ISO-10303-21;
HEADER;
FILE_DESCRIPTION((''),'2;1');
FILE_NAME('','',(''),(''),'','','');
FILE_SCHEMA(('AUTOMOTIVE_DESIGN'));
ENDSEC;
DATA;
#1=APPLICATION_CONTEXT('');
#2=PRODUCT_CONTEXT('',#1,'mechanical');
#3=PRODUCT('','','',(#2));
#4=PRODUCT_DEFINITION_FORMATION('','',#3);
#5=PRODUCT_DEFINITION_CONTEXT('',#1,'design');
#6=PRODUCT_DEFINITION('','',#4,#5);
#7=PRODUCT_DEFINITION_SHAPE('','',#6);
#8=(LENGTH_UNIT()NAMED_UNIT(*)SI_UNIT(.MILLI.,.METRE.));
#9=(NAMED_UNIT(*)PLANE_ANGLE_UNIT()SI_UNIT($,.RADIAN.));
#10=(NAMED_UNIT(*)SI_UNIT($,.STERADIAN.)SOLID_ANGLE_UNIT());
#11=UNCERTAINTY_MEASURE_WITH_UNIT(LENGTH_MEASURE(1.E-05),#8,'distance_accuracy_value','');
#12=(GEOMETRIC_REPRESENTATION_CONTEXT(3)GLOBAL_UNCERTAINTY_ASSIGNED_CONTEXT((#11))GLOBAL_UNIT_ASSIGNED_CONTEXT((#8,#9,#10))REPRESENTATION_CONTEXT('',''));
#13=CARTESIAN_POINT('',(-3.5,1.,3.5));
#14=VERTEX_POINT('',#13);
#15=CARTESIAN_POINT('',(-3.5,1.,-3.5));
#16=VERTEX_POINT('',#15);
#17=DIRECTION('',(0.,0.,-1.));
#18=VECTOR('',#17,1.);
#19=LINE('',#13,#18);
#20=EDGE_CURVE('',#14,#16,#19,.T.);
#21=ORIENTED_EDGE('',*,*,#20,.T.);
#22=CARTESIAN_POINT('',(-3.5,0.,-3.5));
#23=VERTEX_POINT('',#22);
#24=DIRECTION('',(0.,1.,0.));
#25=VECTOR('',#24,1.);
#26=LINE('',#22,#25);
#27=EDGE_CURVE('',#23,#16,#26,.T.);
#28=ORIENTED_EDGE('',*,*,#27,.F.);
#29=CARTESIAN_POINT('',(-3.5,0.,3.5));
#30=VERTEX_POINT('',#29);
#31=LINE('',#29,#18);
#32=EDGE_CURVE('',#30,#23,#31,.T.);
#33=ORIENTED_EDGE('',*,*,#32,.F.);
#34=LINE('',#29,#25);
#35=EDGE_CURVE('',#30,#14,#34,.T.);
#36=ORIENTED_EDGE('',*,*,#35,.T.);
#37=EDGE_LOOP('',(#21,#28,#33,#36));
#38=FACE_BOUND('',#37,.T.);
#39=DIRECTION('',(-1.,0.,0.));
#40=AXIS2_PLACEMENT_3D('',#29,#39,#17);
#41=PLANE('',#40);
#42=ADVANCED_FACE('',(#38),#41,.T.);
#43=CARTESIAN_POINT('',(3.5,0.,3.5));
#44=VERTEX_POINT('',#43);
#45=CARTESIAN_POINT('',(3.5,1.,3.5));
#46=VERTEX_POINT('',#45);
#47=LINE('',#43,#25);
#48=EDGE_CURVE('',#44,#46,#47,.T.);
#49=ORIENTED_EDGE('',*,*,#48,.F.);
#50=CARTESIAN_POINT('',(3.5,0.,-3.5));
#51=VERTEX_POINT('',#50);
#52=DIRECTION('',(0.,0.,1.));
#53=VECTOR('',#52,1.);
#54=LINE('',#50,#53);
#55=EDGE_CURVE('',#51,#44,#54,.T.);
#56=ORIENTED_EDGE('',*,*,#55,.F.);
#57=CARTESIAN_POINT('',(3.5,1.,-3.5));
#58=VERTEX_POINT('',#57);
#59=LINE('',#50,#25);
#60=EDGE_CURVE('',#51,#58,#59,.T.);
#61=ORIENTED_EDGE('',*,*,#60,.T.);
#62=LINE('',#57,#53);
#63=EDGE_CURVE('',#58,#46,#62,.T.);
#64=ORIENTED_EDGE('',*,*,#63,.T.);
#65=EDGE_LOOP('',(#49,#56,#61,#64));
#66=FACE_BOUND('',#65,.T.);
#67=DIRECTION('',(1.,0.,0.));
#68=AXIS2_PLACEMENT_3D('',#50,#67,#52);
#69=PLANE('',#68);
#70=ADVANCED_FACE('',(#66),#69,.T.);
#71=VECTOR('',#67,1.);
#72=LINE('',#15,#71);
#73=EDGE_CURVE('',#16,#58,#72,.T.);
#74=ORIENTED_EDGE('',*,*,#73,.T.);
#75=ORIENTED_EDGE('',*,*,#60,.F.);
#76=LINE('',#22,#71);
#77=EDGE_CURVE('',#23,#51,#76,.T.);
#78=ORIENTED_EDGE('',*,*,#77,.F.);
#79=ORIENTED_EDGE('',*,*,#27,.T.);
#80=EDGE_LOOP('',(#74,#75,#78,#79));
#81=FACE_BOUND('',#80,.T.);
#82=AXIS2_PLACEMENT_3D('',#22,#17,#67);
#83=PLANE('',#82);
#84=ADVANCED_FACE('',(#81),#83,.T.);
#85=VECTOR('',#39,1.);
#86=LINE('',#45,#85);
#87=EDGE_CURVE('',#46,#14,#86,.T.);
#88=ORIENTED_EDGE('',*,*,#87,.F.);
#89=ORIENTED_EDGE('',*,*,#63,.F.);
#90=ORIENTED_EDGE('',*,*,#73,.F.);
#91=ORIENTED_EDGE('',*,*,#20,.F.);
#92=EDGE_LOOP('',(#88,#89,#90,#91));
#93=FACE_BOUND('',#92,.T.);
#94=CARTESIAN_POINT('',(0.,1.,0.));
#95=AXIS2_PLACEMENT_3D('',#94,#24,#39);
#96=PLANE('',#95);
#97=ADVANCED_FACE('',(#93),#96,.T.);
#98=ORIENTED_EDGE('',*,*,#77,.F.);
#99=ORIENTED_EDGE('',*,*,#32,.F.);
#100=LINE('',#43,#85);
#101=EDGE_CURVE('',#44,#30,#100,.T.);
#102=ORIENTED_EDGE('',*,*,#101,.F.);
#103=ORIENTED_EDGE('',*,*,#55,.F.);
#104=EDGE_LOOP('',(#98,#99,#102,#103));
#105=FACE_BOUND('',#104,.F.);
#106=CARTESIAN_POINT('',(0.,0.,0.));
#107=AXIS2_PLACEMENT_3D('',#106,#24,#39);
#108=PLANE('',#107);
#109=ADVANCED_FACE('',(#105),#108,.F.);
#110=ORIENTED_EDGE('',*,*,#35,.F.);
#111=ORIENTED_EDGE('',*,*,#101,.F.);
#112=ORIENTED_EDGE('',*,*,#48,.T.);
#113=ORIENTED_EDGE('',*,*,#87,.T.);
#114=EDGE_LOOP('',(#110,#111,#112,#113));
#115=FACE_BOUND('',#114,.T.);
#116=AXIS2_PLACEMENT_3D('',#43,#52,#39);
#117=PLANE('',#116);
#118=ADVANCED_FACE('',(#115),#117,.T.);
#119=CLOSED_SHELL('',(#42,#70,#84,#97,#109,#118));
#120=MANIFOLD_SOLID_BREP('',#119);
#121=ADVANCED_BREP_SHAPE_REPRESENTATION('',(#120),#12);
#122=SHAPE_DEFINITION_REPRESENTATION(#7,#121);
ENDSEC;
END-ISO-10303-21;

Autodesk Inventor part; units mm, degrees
ref_plane "YZ Plane" through (0, 0, 0) normal (1, 0, 0) x (0, 1, 0)
ref_plane "XZ Plane" through (0, 0, 0) normal (0, 1, 0) x (-1, 0, 0)
ref_plane "XY Plane" through (0, 0, 0) normal (0, 0, 1) x (1, 0, 0)
sketch "Sketch1" plane through (0, 0, 0) normal (0, 1, 0) x (-1, 0, 0)
  line L0 (-3.5, 3.5) -> (3.5, 3.5)
  line L1 (3.5, 3.5) -> (3.5, -3.5)
  line L2 (3.5, -3.5) -> (-3.5, -3.5)
  line L3 (-3.5, -3.5) -> (-3.5, 3.5)
  line L4 (-3.5, 3.5) -> (3.5, -3.5) construction
  line L5 (3.5, 3.5) -> (-3.5, -3.5) construction
  point P0 (0, 0)
  dimension "d0" = 7
  dimension "d1" = 7
extrude "Extrusion1" add sketch "Sketch1" along normal blind 1
properties part number "2"
